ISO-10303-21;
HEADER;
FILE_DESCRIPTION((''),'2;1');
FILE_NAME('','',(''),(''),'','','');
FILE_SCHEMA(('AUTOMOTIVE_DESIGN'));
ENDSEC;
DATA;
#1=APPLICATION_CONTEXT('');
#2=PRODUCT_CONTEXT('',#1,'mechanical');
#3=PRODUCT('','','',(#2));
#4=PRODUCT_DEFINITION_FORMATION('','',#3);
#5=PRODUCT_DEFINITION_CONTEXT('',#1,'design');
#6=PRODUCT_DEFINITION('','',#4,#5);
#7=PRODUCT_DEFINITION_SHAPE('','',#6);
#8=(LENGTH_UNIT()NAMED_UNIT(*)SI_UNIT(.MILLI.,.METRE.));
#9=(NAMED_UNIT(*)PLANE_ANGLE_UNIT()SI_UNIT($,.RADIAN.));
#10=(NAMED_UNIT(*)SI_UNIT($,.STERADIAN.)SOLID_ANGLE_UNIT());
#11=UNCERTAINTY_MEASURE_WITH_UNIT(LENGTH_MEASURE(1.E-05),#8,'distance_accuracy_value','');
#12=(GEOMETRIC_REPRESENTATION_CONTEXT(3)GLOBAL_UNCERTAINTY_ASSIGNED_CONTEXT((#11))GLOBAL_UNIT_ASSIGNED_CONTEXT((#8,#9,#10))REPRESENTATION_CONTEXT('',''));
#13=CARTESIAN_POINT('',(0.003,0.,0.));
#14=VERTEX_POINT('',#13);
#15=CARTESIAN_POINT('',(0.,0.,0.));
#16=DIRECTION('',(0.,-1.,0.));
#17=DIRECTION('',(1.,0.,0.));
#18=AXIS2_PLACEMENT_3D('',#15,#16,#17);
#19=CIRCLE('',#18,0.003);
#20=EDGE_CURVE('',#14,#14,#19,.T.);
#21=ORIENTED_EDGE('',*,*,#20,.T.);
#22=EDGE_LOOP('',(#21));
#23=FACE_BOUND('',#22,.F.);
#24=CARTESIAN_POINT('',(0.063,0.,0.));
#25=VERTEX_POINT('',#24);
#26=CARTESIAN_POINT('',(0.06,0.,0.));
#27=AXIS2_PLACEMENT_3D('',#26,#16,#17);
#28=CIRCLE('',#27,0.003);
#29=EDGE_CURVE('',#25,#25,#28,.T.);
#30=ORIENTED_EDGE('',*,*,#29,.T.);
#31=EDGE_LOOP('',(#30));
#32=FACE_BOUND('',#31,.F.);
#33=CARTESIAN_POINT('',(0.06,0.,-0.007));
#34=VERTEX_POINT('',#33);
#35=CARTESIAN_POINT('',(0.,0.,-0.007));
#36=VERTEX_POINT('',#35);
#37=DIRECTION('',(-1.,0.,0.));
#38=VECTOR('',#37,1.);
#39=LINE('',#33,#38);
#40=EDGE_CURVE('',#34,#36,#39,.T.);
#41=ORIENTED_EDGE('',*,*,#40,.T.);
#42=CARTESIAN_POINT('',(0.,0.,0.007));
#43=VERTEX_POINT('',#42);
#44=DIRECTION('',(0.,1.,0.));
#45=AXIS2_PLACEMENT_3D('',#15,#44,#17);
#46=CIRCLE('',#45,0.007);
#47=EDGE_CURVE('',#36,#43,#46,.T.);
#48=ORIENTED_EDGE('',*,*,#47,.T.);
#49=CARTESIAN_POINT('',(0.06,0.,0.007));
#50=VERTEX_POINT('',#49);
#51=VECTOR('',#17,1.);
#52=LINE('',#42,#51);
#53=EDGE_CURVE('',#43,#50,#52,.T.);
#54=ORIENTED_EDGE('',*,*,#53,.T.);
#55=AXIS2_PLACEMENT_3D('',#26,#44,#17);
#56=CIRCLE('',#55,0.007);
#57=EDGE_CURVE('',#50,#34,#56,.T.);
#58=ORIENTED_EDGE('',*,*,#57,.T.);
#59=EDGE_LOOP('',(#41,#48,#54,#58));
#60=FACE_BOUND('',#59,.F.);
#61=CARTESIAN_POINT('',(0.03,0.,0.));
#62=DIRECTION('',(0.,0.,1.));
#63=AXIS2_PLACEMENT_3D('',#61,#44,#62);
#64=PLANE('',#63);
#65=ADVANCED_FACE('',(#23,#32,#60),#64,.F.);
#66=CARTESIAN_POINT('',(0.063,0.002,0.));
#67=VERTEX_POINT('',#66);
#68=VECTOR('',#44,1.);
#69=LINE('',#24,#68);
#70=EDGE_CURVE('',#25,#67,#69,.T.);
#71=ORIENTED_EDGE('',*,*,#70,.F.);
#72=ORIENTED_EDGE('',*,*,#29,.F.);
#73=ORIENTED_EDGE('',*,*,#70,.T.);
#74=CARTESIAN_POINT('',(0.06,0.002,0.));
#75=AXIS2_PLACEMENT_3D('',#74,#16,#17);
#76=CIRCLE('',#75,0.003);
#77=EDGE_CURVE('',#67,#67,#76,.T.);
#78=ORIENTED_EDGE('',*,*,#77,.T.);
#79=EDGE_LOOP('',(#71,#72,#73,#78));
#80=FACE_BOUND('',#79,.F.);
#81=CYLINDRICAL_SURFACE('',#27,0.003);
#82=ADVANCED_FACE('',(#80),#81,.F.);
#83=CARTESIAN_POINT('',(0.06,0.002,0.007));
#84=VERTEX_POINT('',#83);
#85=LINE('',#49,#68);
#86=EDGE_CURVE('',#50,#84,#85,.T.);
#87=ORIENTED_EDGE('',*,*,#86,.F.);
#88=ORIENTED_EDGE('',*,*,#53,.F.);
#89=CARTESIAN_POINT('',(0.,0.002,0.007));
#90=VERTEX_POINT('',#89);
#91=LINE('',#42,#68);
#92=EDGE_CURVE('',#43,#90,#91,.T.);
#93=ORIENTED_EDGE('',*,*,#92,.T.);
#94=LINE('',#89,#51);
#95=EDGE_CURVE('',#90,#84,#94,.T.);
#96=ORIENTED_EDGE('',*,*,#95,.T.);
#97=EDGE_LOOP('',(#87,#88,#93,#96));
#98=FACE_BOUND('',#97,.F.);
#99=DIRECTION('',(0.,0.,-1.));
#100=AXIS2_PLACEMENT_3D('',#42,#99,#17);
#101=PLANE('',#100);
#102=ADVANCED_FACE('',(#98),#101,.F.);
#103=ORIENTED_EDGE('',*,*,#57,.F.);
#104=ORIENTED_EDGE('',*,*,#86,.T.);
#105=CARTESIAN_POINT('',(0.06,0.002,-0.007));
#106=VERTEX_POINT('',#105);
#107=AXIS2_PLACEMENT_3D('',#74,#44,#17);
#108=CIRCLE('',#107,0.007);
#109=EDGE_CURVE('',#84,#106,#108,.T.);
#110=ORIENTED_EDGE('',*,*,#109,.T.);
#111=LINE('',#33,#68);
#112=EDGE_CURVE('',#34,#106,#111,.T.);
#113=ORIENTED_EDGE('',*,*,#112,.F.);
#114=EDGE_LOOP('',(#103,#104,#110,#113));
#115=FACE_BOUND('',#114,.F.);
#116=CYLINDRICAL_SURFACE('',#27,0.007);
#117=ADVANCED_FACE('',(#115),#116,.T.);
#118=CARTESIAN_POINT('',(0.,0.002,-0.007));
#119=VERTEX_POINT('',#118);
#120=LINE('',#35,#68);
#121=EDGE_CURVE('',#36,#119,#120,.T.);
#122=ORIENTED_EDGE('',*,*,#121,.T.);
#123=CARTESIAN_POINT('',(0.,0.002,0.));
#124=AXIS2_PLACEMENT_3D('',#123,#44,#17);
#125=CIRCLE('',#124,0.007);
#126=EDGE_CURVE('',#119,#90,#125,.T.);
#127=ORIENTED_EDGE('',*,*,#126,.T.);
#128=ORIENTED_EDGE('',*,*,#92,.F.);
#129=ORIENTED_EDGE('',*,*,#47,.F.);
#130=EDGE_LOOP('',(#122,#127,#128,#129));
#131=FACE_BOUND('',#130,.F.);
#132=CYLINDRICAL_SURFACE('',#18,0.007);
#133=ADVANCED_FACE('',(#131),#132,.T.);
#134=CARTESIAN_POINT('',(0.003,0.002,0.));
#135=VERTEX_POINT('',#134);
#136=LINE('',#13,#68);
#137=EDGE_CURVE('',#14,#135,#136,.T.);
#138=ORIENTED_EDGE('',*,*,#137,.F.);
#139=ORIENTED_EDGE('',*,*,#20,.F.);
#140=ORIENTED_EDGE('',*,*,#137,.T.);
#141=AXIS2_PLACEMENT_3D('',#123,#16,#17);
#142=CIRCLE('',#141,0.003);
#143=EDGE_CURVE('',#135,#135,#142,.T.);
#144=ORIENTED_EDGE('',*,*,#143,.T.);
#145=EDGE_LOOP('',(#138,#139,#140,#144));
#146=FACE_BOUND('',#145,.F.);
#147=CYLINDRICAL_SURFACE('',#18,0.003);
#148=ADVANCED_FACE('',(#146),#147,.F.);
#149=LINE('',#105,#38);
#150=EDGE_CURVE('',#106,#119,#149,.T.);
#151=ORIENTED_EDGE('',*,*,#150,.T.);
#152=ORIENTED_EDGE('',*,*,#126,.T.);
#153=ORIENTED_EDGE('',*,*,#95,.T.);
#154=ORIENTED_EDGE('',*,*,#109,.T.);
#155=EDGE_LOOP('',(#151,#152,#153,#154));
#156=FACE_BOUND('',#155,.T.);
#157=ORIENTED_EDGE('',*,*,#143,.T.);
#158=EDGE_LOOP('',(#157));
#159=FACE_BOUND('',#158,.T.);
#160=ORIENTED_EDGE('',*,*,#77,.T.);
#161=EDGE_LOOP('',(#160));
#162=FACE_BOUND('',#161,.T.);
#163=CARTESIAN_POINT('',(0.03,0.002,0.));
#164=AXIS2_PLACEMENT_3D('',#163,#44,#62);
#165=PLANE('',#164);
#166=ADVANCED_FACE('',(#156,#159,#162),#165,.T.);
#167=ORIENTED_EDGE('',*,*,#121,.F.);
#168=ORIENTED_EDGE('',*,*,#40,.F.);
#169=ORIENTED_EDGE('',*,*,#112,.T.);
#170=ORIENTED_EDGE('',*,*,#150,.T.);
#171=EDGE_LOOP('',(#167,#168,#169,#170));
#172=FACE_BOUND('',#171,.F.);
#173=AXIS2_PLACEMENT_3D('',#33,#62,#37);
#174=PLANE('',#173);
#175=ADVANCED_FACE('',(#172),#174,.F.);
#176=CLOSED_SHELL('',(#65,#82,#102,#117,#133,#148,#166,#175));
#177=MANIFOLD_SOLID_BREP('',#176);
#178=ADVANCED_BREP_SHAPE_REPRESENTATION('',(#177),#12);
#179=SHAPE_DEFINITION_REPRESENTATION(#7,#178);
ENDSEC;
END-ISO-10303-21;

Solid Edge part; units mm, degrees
sketch "Sketch1" plane through (0, 0, 0) normal (0, -1, 0) x (1, 0, 0)
  circle A0 centre (0.06, 0) radius 0.003
  line L0 (0, 0.007) -> (0.06, 0.007)
  line L1 (0.06, -0.007) -> (0, -0.007)
  arc A1 (0, -0.007) -> (0, 0.007) centre (0, 0) cw
  arc A2 (0.06, 0.007) -> (0.06, -0.007) centre (0.06, 0) cw
  circle A3 centre (0, 0) radius 0.003
extrude "Protrusion1" add sketch "Sketch1" against normal blind 0.002
